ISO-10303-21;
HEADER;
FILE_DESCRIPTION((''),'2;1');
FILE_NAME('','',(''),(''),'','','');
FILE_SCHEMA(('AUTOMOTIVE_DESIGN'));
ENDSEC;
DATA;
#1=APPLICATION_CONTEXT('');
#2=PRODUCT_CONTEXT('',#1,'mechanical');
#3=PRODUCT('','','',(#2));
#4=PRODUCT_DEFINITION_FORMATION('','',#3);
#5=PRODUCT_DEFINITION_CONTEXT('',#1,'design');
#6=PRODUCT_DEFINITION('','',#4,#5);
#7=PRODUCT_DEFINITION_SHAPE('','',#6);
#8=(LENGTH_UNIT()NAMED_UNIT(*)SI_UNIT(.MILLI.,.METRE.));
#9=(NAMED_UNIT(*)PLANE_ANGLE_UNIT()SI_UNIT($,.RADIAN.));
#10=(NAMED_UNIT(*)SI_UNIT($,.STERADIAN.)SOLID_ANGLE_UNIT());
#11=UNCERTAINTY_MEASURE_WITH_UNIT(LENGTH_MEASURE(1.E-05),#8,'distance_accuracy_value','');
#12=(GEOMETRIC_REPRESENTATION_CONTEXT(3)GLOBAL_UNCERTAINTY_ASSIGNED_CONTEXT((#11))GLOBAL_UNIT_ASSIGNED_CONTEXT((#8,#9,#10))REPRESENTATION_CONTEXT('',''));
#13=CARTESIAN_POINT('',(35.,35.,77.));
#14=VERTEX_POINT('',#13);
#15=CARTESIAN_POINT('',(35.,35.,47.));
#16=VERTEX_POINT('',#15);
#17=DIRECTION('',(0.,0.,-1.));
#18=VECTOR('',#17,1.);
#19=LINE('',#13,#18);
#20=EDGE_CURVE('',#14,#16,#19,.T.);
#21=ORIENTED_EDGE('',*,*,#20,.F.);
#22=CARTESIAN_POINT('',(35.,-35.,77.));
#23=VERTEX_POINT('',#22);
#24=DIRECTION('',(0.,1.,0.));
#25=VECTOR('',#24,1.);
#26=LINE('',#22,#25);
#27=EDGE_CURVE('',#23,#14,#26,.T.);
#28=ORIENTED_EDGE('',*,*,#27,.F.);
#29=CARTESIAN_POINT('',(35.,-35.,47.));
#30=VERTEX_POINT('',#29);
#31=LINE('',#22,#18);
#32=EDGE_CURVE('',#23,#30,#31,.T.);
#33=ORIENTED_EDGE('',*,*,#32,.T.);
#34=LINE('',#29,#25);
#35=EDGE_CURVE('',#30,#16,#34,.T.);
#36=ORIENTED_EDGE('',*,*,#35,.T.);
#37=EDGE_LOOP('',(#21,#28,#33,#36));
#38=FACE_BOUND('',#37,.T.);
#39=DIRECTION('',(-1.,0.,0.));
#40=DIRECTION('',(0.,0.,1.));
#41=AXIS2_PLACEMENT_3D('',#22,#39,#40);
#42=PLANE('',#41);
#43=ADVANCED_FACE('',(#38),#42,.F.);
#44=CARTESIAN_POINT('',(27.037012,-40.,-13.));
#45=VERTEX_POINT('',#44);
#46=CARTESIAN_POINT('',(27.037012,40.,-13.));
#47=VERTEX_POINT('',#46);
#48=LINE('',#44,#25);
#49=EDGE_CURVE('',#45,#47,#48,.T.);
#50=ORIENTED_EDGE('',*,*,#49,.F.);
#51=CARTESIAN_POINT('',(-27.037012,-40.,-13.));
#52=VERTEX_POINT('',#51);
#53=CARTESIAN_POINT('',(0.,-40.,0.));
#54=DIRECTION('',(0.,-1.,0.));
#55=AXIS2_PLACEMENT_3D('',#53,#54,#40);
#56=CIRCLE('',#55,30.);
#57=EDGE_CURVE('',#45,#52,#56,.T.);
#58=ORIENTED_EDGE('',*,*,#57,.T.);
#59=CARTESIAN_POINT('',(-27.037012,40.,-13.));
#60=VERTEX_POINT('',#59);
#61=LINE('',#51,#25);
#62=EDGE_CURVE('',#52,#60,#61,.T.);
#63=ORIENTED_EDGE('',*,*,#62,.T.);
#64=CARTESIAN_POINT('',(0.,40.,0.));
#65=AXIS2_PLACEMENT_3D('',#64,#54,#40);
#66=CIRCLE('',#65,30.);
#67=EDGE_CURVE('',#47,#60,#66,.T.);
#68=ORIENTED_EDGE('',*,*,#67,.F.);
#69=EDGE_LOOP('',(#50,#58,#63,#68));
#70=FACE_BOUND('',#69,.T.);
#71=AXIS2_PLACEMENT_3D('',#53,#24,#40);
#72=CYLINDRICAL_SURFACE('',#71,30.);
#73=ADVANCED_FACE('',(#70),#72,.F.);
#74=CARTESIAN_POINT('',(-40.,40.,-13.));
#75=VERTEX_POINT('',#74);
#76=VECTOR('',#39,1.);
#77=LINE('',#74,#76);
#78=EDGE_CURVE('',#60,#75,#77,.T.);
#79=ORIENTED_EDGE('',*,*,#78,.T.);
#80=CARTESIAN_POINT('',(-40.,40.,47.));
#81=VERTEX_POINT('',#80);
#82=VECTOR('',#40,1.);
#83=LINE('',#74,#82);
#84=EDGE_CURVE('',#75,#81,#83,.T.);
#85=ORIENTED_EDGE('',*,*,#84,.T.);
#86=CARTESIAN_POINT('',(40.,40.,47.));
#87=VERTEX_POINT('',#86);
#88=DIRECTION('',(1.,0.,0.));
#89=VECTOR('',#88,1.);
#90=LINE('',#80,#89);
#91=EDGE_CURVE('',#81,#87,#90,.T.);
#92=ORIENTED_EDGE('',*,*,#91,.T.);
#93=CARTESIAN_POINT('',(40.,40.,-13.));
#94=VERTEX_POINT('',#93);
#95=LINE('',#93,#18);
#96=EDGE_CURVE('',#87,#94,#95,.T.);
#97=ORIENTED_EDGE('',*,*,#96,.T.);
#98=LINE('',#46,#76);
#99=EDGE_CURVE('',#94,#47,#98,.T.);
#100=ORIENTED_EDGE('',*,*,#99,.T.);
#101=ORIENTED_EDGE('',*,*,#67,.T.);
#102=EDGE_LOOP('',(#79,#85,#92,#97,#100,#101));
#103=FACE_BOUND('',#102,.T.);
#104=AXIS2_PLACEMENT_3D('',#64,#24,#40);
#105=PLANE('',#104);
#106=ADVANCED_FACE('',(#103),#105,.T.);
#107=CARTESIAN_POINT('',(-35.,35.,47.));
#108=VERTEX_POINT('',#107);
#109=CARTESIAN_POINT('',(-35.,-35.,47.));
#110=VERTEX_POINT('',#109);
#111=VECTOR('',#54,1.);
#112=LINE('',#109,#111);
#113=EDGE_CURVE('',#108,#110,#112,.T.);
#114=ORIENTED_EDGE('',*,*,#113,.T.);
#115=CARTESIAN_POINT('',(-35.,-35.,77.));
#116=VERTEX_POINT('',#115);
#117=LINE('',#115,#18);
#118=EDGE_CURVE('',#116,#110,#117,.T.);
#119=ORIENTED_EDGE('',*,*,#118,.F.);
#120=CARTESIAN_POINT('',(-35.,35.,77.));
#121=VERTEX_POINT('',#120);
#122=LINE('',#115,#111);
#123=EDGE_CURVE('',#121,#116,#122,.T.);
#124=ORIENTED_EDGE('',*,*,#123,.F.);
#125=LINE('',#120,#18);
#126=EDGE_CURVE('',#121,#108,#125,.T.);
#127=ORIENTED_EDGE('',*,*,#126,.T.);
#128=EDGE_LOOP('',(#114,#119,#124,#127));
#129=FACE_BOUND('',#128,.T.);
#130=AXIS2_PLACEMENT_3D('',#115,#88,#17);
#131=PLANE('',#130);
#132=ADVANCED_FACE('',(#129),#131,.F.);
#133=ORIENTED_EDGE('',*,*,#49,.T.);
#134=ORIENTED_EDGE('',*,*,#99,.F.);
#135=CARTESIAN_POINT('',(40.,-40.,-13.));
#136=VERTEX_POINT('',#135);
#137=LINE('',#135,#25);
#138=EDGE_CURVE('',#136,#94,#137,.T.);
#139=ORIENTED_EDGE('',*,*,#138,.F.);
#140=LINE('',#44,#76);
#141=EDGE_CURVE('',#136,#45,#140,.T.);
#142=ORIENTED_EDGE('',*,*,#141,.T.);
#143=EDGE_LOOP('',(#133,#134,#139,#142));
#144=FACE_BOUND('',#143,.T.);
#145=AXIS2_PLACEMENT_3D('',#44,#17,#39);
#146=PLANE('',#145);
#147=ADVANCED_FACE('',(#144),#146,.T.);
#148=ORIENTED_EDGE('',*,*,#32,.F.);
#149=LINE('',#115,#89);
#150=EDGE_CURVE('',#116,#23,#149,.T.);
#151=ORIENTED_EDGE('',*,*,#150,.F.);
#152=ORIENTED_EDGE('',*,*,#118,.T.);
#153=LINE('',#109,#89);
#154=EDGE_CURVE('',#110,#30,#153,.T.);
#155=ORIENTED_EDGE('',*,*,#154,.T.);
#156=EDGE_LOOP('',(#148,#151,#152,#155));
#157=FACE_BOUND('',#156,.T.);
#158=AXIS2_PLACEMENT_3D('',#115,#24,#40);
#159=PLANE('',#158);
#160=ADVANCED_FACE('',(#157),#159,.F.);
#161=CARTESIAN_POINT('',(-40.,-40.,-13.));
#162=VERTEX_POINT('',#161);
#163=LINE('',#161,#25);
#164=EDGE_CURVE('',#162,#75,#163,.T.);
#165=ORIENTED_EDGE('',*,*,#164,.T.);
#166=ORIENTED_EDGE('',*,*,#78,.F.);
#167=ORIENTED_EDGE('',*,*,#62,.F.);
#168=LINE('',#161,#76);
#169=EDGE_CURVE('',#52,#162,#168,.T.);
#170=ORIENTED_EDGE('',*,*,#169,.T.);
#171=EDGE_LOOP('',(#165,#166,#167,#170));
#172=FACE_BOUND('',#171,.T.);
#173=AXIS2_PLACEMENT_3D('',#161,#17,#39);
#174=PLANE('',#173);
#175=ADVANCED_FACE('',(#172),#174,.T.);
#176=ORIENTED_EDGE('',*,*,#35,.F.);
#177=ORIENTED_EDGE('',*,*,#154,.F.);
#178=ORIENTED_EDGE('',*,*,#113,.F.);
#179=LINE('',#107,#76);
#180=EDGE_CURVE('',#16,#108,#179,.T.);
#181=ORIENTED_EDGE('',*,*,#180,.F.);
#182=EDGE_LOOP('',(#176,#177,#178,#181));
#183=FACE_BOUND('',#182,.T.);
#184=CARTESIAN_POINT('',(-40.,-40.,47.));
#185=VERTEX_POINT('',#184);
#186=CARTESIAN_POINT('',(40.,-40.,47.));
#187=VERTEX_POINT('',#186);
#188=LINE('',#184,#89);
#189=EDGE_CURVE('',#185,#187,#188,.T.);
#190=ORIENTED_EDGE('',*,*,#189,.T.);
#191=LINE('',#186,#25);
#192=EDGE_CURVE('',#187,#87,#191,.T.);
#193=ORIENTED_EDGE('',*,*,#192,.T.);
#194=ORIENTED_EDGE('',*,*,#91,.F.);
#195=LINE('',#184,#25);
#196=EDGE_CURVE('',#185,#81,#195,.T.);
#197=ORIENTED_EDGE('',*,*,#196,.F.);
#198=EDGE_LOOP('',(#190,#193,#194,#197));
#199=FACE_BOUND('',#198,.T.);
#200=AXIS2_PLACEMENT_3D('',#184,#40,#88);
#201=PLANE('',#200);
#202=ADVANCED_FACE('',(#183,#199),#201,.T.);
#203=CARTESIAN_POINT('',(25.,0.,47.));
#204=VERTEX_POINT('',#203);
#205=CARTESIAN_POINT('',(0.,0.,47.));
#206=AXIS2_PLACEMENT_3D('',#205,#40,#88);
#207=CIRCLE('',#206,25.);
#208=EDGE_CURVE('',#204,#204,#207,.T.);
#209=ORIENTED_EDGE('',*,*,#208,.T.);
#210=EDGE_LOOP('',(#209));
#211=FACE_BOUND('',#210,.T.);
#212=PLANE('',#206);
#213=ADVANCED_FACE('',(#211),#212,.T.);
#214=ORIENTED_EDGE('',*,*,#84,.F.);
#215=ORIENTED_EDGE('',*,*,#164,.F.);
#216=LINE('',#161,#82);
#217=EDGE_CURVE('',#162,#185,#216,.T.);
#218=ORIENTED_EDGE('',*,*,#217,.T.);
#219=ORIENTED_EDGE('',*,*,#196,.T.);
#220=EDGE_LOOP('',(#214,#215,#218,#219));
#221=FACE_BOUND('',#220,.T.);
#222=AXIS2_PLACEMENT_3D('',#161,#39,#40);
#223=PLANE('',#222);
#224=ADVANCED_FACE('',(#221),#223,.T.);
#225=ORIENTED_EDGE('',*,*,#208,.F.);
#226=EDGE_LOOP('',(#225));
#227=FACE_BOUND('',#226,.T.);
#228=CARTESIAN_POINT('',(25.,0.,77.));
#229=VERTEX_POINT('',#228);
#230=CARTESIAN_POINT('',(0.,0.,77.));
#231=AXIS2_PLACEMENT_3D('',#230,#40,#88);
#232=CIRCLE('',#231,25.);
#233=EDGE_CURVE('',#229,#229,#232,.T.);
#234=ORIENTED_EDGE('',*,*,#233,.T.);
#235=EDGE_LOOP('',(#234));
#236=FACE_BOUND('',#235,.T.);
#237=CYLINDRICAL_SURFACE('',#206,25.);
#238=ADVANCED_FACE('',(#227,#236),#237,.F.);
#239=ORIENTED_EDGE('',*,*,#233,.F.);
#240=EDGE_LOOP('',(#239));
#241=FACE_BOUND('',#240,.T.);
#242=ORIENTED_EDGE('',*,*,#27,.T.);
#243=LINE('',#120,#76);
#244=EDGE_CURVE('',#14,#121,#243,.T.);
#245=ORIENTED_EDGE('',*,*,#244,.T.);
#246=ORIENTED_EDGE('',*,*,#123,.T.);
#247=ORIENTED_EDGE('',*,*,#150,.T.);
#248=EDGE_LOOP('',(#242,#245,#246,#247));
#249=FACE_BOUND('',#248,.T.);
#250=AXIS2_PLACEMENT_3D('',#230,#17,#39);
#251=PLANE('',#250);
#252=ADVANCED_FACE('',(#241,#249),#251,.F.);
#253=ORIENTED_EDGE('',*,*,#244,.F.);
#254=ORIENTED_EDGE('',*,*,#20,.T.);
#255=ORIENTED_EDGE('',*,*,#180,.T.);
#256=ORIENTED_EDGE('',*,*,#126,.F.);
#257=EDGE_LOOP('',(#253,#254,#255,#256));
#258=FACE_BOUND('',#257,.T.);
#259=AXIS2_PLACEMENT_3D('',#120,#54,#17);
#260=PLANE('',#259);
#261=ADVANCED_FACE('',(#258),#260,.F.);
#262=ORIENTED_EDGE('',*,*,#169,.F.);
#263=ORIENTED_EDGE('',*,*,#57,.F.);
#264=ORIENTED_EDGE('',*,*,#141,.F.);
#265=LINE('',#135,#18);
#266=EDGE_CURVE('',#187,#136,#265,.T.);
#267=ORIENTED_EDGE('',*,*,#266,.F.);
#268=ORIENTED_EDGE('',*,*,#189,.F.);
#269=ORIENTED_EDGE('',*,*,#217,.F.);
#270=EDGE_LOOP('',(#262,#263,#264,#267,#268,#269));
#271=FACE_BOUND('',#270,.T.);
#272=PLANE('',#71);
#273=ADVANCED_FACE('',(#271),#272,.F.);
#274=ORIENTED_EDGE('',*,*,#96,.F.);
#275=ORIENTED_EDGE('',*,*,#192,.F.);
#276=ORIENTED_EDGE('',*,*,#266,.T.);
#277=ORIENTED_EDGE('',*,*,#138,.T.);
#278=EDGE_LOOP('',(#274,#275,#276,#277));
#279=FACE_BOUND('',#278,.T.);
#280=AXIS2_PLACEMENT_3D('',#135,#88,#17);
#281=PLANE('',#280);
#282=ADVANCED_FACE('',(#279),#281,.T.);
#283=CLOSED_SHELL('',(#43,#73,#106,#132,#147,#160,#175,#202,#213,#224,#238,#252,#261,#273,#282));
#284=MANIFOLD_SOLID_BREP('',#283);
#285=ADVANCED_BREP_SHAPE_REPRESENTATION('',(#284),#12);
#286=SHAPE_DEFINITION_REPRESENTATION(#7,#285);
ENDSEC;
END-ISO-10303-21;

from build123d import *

# Parameters (mm, degrees)
SALIENTE_EXTRUIR1_DEPTH      = 40
SALIENTE_EXTRUIR1_DEPTH_BACK = 40
CROQUIS2_W                   = 70
CROQUIS2_H                   = 70
SALIENTE_EXTRUIR2_DEPTH      = 30
CROQUIS3_R                   = 25
CORTAR_EXTRUIR1_DEPTH        = 30


with BuildPart() as part:
    # Croquis1 → Saliente-Extruir1 (new, two sides: drawn at the far end of the back side and taken through both)
    with BuildSketch(Plane(origin=(0, 0, 0), x_dir=(1, 0, 0), z_dir=(0, 1, 0)).offset(-SALIENTE_EXTRUIR1_DEPTH_BACK)):
        with BuildLine():
            Line((-40, 13), (-27.037011669, 13))
            ThreePointArc((-27.037011669, 13), (0, -30), (27.037011669, 13))
            Line((27.037011669, 13), (40, 13))
            Line((40, 13), (40, -47))
            Line((40, -47), (-40, -47))
            Line((-40, -47), (-40, 13))
        make_face()
    extrude(amount=SALIENTE_EXTRUIR1_DEPTH + SALIENTE_EXTRUIR1_DEPTH_BACK)

    # Croquis2 → Saliente-Extruir2 (add)
    with BuildSketch(Plane.XY.offset(47)):
        Rectangle(CROQUIS2_W, CROQUIS2_H)
    extrude(amount=SALIENTE_EXTRUIR2_DEPTH)

    # Croquis3 → Cortar-Extruir1 (cut)
    with BuildSketch(Plane.XY.offset(77)):
        Circle(CROQUIS3_R)
    extrude(amount=-CORTAR_EXTRUIR1_DEPTH, mode=Mode.SUBTRACT)


solid = part.part
